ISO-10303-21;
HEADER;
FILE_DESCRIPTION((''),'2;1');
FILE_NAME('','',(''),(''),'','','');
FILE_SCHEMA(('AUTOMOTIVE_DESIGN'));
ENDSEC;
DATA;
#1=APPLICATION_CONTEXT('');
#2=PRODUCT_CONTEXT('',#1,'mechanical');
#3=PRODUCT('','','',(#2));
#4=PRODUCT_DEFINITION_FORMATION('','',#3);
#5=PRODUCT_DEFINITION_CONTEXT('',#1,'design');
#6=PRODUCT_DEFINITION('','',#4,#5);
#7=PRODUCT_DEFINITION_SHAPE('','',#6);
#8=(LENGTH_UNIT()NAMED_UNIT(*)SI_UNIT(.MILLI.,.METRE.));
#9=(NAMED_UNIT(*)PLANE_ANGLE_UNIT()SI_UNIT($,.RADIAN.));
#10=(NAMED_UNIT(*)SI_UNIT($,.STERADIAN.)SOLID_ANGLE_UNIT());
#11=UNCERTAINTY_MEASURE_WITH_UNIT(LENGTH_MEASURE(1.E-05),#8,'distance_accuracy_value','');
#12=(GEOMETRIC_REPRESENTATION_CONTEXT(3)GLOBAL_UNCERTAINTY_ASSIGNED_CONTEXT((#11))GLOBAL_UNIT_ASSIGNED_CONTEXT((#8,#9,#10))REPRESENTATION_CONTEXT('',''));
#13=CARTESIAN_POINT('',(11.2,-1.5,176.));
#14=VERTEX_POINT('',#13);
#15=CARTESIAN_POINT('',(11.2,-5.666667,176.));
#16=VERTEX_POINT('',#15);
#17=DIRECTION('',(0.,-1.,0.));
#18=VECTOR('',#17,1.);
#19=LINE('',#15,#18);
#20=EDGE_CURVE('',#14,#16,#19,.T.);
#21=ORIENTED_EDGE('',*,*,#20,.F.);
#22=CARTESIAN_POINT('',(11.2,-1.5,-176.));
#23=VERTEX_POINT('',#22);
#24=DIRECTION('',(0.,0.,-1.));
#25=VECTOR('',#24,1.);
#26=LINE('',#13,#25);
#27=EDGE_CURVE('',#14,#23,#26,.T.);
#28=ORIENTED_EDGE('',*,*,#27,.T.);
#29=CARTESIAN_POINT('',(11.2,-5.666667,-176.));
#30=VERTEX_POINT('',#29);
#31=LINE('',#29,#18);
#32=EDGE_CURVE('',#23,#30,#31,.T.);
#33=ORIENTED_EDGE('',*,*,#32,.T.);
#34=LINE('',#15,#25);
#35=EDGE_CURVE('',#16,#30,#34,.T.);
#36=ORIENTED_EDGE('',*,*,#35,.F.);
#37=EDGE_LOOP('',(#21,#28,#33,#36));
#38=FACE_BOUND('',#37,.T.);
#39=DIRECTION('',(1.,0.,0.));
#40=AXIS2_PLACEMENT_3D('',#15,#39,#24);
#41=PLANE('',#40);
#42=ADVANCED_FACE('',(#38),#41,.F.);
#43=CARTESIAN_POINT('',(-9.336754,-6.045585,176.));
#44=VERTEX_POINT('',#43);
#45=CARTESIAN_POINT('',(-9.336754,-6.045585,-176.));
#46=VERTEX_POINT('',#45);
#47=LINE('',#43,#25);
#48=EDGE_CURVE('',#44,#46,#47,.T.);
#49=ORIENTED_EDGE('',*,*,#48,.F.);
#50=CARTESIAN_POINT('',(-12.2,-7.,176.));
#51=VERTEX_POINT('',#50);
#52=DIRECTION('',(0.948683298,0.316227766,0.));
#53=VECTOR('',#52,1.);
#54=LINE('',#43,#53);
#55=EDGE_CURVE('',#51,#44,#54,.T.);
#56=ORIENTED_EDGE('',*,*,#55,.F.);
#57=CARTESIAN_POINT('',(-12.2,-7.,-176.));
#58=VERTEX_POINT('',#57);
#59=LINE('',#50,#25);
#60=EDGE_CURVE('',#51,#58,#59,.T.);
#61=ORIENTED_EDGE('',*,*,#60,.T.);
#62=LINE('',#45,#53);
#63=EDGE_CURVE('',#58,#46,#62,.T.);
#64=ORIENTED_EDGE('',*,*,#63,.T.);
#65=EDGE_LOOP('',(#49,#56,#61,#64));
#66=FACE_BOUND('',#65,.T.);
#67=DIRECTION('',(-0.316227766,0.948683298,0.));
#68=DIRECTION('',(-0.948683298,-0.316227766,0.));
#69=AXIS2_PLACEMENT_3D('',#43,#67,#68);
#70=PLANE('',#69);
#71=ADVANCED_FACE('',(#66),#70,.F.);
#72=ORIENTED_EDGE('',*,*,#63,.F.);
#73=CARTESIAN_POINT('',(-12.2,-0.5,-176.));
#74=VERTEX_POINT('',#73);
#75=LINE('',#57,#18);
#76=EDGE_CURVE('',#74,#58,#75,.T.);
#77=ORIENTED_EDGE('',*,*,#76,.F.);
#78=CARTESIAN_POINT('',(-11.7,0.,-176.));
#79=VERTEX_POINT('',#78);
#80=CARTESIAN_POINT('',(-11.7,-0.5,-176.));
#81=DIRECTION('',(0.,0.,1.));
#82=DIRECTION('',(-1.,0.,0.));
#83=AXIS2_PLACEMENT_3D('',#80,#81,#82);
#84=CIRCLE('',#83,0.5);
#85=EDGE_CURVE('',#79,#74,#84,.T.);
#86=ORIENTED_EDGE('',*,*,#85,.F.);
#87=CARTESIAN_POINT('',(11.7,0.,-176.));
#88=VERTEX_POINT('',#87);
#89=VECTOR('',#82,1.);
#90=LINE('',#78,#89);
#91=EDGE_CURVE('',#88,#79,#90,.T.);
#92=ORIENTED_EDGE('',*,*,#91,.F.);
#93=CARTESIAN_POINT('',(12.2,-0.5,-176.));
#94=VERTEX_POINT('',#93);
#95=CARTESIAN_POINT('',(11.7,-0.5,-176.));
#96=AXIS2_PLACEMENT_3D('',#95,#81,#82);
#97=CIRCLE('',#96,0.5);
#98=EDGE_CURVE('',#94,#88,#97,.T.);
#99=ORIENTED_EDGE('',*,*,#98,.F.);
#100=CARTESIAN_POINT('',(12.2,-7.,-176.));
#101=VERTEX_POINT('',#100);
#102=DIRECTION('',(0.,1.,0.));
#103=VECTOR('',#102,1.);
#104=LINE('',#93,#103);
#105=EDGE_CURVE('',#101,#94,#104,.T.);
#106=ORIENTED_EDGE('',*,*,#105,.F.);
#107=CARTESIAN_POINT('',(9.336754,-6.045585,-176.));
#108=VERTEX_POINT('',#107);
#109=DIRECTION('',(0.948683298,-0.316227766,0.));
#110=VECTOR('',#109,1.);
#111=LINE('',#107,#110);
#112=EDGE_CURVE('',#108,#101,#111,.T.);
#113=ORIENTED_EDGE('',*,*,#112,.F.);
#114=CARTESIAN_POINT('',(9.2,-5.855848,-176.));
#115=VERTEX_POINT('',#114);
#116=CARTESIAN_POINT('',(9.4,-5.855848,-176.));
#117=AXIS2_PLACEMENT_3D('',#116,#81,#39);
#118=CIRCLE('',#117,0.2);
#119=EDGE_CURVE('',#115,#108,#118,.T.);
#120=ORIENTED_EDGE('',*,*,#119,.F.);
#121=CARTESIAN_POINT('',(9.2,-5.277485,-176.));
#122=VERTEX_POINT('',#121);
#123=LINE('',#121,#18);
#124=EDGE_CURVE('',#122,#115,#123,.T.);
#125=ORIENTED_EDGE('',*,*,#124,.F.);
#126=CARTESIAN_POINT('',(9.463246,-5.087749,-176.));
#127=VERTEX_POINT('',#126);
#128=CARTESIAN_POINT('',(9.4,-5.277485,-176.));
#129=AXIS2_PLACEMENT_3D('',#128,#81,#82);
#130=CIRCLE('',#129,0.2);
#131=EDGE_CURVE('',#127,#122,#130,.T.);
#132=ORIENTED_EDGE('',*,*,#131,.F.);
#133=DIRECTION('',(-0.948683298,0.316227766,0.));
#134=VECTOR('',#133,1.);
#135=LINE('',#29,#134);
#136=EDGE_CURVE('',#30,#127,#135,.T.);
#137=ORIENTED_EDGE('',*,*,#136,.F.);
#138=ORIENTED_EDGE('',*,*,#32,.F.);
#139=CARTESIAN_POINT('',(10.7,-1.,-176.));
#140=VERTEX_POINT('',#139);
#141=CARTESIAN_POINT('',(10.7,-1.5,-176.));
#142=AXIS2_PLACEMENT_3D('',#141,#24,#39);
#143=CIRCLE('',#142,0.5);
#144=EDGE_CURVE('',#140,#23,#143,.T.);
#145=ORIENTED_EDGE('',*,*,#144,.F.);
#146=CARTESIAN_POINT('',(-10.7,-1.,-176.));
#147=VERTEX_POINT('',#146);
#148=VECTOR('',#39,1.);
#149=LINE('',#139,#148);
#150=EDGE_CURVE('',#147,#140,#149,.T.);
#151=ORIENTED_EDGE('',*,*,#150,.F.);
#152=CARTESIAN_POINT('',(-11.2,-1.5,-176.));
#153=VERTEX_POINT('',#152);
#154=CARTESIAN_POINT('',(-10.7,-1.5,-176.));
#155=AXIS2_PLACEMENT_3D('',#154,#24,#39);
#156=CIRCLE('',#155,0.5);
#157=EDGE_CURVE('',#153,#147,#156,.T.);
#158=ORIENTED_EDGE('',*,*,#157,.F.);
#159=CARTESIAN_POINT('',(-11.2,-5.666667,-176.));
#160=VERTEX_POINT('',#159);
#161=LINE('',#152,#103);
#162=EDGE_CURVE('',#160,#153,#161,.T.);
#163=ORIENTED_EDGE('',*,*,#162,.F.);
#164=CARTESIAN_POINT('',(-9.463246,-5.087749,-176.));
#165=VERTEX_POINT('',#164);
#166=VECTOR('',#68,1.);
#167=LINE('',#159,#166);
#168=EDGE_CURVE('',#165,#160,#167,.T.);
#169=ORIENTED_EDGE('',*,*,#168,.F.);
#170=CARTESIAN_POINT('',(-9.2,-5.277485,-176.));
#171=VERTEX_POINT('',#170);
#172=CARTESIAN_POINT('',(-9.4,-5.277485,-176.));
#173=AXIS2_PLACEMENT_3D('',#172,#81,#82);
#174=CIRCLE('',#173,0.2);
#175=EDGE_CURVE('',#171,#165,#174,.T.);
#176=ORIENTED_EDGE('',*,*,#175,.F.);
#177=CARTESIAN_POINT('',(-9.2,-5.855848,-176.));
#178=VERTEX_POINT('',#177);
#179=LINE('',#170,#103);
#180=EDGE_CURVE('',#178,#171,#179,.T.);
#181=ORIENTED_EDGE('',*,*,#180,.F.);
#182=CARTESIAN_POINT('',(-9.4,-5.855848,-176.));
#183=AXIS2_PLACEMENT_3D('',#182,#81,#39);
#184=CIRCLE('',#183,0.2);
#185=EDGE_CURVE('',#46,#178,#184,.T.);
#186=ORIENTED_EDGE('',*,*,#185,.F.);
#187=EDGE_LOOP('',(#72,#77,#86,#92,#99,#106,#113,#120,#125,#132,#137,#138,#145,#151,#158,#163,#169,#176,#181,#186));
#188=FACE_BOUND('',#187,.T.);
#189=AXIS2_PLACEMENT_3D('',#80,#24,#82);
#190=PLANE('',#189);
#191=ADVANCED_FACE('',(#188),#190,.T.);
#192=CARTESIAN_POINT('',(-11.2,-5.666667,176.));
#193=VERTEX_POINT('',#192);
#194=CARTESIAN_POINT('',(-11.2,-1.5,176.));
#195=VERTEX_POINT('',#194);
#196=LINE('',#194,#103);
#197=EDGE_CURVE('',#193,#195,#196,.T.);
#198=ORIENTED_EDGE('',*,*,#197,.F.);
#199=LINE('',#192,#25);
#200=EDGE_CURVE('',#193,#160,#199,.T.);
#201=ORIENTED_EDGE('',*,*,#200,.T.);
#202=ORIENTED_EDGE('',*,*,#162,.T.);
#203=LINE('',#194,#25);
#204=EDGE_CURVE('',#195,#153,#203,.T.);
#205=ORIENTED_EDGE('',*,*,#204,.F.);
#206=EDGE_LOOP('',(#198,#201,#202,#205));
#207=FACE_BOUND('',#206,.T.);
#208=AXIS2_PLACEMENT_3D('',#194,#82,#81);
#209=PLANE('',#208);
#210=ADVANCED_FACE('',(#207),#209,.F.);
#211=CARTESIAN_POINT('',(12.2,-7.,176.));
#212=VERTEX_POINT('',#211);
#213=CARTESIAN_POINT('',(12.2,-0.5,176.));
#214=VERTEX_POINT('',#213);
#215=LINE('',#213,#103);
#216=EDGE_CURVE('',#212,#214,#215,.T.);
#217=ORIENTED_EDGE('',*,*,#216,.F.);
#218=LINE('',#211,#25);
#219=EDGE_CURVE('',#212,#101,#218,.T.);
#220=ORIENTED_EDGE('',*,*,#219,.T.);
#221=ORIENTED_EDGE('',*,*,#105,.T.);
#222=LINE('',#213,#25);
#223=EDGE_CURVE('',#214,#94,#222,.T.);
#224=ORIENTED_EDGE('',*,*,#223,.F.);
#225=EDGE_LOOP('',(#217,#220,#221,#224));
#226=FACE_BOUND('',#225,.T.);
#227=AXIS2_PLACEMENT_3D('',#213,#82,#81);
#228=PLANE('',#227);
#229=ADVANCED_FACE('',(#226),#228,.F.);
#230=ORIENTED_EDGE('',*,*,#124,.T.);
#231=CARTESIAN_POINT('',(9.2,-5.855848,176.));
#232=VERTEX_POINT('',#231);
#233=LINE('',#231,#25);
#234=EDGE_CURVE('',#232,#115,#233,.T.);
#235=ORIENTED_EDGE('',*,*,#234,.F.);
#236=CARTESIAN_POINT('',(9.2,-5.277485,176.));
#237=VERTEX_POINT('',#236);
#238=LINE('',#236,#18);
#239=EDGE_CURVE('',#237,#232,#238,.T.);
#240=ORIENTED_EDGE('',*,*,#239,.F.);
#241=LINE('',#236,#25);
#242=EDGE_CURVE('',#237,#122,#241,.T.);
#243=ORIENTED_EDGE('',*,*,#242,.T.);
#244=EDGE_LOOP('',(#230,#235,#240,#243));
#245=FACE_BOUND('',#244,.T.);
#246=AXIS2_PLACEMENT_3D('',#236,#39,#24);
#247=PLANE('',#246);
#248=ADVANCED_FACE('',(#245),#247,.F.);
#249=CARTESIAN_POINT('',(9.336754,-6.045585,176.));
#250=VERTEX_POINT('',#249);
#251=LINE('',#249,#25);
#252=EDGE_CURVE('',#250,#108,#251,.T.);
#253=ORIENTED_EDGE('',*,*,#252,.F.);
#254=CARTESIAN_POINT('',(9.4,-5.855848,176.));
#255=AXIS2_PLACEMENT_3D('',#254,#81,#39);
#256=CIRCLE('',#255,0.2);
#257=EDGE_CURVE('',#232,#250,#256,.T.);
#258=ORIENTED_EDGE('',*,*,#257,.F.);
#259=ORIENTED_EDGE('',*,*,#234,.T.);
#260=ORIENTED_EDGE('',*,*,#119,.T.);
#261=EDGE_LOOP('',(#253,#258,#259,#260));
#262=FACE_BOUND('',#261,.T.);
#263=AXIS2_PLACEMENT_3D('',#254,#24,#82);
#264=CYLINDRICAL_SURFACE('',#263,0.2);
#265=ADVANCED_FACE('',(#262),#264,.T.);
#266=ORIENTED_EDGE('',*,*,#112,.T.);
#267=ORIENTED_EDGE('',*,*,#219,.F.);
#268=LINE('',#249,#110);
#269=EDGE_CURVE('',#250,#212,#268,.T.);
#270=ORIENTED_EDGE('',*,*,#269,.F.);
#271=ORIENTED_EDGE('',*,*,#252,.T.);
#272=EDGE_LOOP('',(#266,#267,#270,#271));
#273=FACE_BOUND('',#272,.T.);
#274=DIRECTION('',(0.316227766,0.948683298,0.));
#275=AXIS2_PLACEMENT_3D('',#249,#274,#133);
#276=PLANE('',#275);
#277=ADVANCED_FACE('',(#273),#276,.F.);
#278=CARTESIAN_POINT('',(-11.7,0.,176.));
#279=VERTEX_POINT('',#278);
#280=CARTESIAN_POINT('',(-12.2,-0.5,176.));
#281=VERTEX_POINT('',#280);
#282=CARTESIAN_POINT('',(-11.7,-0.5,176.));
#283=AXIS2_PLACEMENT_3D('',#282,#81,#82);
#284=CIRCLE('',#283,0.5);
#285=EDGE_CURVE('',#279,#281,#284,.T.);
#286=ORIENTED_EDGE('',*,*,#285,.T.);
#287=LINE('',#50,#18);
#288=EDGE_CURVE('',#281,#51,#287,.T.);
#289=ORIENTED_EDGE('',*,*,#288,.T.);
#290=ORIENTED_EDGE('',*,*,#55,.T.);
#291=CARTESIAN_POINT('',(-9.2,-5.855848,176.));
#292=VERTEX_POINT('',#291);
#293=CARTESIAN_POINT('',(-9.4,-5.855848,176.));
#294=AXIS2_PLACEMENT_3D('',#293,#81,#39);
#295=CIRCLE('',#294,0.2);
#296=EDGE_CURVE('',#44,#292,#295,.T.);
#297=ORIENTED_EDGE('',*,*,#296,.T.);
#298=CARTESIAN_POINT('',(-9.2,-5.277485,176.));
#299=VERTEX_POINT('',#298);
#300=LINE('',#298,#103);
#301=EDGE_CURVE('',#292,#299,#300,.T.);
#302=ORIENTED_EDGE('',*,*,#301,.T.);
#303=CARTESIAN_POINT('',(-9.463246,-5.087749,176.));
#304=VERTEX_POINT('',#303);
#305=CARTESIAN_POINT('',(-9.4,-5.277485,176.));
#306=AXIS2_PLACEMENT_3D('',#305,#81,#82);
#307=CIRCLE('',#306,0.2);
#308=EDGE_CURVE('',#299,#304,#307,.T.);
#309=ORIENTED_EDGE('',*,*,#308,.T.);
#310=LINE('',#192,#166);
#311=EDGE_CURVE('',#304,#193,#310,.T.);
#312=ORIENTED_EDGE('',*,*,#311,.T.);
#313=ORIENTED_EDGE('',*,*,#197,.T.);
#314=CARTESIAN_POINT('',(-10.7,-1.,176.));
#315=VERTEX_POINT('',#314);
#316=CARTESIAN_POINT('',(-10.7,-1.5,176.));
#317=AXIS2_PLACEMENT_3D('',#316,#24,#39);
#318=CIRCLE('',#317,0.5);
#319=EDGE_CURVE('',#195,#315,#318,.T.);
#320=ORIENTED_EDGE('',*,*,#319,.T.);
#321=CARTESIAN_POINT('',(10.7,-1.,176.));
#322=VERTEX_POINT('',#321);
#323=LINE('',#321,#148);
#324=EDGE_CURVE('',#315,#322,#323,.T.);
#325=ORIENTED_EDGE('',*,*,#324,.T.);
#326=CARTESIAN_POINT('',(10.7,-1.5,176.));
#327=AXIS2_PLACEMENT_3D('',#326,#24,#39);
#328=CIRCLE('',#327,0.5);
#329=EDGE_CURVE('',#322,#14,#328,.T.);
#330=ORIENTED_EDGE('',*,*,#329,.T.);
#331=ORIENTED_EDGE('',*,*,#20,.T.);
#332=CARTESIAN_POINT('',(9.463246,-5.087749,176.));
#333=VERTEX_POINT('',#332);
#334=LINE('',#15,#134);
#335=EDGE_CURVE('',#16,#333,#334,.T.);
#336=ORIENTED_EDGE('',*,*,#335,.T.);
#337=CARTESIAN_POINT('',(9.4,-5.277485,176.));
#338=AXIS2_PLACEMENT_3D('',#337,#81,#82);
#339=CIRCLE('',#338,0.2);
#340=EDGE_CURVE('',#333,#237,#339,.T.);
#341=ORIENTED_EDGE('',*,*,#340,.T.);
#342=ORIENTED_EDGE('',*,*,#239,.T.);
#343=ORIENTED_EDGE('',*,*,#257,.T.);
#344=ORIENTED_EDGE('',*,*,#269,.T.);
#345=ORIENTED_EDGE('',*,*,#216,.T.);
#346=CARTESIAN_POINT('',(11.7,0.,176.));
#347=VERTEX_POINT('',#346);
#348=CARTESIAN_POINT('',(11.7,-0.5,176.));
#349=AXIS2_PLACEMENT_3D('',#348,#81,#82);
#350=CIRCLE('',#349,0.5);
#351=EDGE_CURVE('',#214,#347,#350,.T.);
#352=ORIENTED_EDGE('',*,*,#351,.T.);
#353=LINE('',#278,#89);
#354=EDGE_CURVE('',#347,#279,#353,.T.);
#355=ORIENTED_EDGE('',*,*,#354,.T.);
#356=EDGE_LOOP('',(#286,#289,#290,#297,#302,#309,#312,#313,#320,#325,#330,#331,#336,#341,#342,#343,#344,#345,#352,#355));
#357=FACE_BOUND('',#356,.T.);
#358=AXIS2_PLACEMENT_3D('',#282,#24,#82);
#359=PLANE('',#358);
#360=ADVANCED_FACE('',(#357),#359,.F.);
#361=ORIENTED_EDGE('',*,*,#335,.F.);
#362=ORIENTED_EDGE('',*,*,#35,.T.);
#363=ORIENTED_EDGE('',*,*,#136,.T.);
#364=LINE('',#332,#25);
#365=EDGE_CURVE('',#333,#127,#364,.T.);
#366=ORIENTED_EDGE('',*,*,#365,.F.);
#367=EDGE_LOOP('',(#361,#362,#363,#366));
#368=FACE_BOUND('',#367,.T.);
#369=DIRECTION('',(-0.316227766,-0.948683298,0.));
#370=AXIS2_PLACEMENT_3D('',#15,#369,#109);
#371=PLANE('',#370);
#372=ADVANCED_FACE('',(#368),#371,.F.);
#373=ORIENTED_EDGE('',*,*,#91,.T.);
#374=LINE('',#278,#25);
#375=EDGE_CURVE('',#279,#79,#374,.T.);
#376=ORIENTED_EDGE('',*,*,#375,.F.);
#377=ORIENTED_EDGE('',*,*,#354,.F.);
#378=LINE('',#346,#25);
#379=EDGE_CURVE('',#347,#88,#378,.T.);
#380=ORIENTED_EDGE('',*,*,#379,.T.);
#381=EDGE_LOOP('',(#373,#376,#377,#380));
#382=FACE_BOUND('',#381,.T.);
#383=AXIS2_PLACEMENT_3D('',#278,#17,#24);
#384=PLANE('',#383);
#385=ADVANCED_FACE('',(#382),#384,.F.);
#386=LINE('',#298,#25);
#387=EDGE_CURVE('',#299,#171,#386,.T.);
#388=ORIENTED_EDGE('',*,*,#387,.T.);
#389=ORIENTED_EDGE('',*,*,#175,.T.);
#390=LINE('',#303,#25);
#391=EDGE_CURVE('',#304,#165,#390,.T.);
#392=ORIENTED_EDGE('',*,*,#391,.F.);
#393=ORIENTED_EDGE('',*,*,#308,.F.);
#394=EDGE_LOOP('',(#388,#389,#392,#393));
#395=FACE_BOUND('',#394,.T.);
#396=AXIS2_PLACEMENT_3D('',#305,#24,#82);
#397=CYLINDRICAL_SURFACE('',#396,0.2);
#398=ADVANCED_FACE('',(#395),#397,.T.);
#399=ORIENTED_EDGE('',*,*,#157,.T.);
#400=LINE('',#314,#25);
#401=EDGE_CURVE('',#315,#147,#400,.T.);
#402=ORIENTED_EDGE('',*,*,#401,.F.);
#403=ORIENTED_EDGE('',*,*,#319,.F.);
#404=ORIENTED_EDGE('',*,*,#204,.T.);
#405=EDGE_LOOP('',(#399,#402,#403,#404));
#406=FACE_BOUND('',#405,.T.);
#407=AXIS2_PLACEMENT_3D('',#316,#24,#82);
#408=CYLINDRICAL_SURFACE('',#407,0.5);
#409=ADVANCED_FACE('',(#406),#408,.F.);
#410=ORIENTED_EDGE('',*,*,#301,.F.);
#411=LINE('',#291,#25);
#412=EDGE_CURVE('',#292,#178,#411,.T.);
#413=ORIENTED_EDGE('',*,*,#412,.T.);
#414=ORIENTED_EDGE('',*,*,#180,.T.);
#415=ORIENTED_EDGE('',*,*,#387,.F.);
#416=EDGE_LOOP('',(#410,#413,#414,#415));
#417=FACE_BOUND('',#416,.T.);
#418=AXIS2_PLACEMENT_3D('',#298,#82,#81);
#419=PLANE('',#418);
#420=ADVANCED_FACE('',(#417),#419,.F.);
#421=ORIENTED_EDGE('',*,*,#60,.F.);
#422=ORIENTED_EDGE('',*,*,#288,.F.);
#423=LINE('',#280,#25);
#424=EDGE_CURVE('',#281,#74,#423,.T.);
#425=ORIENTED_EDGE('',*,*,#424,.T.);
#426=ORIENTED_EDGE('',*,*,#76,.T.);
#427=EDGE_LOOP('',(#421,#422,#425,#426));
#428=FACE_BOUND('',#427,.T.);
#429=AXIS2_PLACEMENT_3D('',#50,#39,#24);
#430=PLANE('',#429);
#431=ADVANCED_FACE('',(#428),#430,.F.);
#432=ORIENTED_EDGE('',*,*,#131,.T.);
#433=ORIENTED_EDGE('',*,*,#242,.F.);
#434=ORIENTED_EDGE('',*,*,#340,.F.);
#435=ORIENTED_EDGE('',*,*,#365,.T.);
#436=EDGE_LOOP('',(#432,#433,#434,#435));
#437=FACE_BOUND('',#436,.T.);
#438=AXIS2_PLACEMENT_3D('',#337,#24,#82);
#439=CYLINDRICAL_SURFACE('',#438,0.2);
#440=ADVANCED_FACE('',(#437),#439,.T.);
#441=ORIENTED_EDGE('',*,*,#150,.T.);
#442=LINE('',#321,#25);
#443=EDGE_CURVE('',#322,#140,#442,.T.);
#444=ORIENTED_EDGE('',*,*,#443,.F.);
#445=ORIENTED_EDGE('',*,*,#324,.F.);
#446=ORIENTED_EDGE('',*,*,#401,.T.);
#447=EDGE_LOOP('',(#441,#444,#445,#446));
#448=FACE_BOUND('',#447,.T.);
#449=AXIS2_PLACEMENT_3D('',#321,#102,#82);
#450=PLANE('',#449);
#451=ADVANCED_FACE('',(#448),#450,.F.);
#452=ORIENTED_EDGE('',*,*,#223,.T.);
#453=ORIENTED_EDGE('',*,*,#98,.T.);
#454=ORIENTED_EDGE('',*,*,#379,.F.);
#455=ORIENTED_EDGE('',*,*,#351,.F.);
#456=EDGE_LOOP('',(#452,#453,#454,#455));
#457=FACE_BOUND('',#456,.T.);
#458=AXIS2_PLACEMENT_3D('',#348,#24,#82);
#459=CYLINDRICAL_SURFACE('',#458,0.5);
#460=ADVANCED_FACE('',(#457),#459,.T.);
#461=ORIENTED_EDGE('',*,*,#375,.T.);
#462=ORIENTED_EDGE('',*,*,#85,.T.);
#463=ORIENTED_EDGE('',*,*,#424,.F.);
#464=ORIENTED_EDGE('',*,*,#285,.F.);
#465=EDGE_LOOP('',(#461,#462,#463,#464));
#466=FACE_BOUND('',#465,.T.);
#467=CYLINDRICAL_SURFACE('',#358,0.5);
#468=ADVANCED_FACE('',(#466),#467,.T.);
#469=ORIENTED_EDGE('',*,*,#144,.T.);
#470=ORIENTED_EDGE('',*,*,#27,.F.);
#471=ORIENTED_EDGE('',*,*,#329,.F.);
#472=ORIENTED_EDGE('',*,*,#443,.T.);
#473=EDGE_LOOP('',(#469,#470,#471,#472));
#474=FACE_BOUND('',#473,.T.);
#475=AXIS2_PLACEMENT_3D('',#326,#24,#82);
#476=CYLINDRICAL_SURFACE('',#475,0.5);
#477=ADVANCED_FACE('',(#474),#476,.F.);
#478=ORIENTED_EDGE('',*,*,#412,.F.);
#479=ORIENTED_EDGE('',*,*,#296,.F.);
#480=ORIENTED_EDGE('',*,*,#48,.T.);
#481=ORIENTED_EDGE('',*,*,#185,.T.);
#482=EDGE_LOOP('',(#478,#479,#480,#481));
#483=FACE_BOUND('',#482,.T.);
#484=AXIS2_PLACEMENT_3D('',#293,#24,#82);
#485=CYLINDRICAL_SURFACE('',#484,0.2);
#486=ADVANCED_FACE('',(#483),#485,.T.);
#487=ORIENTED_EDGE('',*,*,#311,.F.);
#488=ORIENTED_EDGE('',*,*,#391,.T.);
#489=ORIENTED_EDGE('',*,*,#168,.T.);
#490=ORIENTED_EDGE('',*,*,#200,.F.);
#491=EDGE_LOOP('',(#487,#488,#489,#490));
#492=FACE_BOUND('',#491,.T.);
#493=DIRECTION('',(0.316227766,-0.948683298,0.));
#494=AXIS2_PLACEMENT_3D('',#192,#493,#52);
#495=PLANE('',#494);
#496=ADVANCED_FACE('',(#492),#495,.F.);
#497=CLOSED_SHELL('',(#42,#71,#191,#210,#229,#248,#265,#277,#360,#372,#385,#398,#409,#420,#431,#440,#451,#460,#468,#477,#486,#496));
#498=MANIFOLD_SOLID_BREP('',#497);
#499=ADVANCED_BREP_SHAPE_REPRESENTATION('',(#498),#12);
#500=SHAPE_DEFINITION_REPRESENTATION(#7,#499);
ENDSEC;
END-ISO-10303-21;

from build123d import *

# Parameters (mm, degrees)
SALIENTE_EXTRUIR1_DEPTH = 176


with BuildPart() as part:
    # Croquis1 → Saliente-Extruir1 (new, symmetric)
    with BuildSketch(Plane.XY):
        with BuildLine():
            Line((-9.336754447, -6.045584816), (-12.2, -7))
            Line((-12.2, -7), (-12.2, -0.5))
            ThreePointArc((-12.2, -0.5), (-12.053553391, -0.146446609), (-11.7, 0))
            Line((-11.7, 0), (11.7, 0))
            ThreePointArc((11.7, 0), (12.053553391, -0.146446609), (12.2, -0.5))
            Line((12.2, -0.5), (12.2, -7))
            Line((12.2, -7), (9.336754447, -6.045584816))
            ThreePointArc((9.336754447, -6.045584816), (9.237751563, -5.972790213), (9.2, -5.855848156))
            Line((9.2, -5.855848156), (9.2, -5.277485177))
            ThreePointArc((9.2, -5.277485177), (9.283057943, -5.11523674), (9.463245553, -5.087748518))
            Line((9.463245553, -5.087748518), (11.2, -5.666666667))
            Line((11.2, -5.666666667), (11.2, -1.5))
            ThreePointArc((11.2, -1.5), (11.053553391, -1.146446609), (10.7, -1))
            Line((10.7, -1), (-10.7, -1))
            ThreePointArc((-10.7, -1), (-11.053553391, -1.146446609), (-11.2, -1.5))
            Line((-11.2, -1.5), (-11.2, -5.666666667))
            Line((-11.2, -5.666666667), (-9.463245553, -5.087748518))
            ThreePointArc((-9.463245553, -5.087748518), (-9.283057943, -5.11523674), (-9.2, -5.277485177))
            Line((-9.2, -5.277485177), (-9.2, -5.855848156))
            ThreePointArc((-9.2, -5.855848156), (-9.237751563, -5.972790213), (-9.336754447, -6.045584816))
        make_face()
    extrude(amount=SALIENTE_EXTRUIR1_DEPTH, both=True)


solid = part.part
